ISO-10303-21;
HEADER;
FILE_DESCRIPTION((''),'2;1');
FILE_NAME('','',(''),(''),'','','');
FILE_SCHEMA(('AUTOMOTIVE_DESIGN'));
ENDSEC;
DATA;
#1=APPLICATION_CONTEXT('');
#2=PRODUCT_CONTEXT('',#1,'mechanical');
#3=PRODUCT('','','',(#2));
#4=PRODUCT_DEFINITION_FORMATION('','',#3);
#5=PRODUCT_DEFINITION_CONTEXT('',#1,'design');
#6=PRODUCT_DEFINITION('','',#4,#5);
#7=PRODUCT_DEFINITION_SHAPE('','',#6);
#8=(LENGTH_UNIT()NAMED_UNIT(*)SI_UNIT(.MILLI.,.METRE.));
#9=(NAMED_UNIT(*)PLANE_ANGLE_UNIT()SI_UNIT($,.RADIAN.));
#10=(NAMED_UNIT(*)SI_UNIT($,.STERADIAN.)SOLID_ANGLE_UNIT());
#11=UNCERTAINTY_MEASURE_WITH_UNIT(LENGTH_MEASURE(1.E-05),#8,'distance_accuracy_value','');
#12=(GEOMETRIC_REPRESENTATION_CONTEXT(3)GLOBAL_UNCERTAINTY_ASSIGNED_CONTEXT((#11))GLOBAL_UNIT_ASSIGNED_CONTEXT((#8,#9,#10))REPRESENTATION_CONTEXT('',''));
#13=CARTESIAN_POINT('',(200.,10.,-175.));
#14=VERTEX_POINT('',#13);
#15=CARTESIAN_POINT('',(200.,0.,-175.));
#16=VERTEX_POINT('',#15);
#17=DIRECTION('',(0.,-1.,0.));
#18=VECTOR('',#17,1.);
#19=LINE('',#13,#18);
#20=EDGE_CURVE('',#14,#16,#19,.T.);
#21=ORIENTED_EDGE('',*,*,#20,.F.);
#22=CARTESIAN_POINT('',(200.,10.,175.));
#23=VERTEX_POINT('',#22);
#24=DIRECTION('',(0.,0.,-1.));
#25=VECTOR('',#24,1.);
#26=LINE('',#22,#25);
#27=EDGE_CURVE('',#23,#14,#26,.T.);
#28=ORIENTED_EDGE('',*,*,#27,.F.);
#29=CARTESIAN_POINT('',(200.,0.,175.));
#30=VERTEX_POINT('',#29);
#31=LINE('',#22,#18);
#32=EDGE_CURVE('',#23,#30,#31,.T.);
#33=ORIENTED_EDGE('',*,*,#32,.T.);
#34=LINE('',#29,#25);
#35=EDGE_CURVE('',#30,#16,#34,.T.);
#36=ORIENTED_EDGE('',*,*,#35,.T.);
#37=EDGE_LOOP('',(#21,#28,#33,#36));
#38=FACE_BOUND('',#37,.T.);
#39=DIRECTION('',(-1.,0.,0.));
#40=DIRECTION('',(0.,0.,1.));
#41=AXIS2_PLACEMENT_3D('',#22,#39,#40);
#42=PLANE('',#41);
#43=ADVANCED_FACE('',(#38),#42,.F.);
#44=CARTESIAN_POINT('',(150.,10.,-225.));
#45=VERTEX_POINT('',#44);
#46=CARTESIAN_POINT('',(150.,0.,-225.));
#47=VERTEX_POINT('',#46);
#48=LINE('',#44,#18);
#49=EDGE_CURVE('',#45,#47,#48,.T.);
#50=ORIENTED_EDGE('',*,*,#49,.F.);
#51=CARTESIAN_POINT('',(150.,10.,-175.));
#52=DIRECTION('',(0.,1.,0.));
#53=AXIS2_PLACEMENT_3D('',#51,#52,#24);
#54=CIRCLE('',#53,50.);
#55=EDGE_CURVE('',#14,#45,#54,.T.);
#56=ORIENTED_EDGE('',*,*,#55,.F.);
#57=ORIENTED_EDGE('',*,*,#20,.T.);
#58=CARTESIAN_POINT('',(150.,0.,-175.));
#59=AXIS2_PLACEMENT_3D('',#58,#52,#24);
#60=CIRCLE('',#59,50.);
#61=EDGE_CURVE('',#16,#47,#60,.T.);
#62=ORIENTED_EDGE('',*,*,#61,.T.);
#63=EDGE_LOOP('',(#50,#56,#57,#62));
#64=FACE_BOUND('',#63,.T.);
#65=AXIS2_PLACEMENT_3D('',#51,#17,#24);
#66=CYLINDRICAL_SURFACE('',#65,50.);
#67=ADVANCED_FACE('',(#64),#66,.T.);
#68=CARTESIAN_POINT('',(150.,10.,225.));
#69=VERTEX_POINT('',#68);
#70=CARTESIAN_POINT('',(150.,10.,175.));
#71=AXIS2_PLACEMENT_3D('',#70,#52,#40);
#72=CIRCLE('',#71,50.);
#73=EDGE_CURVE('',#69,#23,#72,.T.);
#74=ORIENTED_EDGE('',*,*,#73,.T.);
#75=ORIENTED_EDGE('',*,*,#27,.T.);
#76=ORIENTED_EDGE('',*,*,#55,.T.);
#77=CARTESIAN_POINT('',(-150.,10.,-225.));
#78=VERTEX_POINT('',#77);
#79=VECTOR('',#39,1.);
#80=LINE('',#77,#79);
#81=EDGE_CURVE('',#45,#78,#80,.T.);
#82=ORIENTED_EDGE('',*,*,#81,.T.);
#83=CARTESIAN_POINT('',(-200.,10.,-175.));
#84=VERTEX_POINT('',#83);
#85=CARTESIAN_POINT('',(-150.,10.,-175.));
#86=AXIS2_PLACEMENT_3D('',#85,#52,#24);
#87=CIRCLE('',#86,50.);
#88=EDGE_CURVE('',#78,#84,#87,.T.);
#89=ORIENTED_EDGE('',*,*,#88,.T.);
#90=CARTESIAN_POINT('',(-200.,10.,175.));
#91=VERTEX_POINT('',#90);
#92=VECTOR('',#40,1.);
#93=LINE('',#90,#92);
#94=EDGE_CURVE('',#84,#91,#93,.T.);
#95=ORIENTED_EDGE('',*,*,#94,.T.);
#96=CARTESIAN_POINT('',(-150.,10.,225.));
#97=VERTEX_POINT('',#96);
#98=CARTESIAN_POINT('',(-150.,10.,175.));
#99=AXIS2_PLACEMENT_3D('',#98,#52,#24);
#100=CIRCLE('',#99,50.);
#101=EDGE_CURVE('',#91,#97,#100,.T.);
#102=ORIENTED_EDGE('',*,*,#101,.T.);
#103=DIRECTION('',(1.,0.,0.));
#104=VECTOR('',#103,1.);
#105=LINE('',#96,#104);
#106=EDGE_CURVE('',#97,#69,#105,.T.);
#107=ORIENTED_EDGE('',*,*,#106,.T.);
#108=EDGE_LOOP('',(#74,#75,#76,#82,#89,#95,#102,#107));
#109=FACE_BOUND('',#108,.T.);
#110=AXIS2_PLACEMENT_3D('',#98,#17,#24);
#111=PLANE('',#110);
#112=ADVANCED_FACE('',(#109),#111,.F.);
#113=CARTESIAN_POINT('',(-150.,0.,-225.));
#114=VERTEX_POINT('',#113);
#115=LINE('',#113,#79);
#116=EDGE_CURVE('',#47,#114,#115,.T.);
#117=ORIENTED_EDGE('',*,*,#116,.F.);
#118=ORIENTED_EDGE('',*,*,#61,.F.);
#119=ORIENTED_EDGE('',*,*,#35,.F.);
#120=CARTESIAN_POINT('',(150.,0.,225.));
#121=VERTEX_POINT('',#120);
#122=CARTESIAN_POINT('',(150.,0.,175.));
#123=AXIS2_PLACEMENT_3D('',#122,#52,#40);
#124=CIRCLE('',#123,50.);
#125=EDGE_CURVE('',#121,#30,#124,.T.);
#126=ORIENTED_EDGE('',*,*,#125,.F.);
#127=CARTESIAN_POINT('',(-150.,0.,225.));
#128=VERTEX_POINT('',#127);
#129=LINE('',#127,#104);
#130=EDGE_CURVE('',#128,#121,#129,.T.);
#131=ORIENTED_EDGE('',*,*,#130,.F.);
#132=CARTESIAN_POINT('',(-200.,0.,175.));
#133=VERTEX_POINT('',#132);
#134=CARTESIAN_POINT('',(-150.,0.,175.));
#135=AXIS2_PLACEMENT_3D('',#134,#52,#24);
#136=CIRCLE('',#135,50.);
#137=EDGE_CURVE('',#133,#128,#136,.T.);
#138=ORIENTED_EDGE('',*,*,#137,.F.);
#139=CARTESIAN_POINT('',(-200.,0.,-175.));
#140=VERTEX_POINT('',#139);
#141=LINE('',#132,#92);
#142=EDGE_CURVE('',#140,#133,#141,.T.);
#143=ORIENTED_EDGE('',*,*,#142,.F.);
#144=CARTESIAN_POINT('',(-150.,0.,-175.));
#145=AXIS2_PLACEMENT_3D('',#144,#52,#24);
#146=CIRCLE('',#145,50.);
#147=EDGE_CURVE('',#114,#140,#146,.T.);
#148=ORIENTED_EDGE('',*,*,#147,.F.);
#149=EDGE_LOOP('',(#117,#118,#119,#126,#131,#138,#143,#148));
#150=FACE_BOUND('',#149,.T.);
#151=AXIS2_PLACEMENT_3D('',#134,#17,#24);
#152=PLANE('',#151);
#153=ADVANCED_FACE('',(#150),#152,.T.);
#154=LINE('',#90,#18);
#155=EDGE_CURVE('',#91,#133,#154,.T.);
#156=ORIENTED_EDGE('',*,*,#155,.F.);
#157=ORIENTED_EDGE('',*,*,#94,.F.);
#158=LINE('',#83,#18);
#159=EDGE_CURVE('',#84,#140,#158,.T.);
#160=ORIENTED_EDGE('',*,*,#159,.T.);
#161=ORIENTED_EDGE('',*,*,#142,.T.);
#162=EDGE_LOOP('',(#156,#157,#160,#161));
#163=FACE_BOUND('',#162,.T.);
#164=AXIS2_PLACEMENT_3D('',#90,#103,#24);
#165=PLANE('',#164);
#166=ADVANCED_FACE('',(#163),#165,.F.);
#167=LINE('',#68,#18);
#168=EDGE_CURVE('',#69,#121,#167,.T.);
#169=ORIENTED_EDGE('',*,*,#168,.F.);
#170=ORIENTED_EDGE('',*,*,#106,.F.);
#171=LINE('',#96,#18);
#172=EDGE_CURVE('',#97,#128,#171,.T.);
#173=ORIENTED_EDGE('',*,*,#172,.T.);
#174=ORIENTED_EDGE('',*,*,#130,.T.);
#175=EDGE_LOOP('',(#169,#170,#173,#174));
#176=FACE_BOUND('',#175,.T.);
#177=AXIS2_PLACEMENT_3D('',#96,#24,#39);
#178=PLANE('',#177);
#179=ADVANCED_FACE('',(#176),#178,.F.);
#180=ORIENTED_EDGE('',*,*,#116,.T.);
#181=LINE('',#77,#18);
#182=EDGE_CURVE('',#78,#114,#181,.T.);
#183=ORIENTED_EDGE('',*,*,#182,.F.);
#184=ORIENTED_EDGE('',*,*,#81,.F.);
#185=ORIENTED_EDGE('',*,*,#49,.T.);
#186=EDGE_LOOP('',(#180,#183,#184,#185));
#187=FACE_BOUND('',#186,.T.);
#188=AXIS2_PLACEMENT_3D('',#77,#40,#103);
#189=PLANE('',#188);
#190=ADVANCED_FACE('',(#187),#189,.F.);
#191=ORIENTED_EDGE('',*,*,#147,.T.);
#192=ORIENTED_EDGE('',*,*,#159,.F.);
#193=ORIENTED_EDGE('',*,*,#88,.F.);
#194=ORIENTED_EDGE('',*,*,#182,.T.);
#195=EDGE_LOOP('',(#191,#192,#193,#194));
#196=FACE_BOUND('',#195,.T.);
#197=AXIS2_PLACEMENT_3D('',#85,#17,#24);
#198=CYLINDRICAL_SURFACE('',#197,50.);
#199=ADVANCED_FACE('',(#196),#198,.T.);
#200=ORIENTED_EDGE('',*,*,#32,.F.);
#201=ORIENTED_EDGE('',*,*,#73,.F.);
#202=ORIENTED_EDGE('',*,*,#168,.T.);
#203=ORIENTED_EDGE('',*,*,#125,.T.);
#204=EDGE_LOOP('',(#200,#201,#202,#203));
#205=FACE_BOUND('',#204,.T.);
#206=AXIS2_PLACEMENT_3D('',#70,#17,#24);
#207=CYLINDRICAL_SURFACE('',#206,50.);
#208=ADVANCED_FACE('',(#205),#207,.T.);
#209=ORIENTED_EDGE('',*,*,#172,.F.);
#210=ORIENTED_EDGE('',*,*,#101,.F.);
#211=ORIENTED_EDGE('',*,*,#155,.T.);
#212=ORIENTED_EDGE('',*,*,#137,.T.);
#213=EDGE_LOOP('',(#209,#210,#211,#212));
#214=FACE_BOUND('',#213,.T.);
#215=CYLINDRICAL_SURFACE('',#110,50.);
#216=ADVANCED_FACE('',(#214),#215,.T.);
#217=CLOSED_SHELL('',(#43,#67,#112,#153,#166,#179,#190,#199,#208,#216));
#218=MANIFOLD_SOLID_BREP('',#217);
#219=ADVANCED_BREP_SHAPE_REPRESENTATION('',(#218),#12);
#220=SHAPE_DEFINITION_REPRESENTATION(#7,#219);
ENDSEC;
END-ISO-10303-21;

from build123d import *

# Parameters (mm, degrees)
BOSS_EXTRUDE1_DEPTH = 10


with BuildPart() as part:
    # Sketch1 → Boss-Extrude1 (new body)
    with BuildSketch(Plane(origin=(0, 0, 0), x_dir=(1, 0, 0), z_dir=(0, 1, 0))):
        with BuildLine():
            Line((-150, -225), (150, -225))
            ThreePointArc((150, -225), (185.355339059, -210.355339059), (200, -175))
            Line((200, -175), (200, 175))
            ThreePointArc((200, 175), (185.355339059, 210.355339059), (150, 225))
            Line((150, 225), (-150, 225))
            ThreePointArc((-150, 225), (-185.355339059, 210.355339059), (-200, 175))
            Line((-200, 175), (-200, -175))
            ThreePointArc((-200, -175), (-185.355339059, -210.355339059), (-150, -225))
        make_face()
    extrude(amount=BOSS_EXTRUDE1_DEPTH)


solid = part.part
